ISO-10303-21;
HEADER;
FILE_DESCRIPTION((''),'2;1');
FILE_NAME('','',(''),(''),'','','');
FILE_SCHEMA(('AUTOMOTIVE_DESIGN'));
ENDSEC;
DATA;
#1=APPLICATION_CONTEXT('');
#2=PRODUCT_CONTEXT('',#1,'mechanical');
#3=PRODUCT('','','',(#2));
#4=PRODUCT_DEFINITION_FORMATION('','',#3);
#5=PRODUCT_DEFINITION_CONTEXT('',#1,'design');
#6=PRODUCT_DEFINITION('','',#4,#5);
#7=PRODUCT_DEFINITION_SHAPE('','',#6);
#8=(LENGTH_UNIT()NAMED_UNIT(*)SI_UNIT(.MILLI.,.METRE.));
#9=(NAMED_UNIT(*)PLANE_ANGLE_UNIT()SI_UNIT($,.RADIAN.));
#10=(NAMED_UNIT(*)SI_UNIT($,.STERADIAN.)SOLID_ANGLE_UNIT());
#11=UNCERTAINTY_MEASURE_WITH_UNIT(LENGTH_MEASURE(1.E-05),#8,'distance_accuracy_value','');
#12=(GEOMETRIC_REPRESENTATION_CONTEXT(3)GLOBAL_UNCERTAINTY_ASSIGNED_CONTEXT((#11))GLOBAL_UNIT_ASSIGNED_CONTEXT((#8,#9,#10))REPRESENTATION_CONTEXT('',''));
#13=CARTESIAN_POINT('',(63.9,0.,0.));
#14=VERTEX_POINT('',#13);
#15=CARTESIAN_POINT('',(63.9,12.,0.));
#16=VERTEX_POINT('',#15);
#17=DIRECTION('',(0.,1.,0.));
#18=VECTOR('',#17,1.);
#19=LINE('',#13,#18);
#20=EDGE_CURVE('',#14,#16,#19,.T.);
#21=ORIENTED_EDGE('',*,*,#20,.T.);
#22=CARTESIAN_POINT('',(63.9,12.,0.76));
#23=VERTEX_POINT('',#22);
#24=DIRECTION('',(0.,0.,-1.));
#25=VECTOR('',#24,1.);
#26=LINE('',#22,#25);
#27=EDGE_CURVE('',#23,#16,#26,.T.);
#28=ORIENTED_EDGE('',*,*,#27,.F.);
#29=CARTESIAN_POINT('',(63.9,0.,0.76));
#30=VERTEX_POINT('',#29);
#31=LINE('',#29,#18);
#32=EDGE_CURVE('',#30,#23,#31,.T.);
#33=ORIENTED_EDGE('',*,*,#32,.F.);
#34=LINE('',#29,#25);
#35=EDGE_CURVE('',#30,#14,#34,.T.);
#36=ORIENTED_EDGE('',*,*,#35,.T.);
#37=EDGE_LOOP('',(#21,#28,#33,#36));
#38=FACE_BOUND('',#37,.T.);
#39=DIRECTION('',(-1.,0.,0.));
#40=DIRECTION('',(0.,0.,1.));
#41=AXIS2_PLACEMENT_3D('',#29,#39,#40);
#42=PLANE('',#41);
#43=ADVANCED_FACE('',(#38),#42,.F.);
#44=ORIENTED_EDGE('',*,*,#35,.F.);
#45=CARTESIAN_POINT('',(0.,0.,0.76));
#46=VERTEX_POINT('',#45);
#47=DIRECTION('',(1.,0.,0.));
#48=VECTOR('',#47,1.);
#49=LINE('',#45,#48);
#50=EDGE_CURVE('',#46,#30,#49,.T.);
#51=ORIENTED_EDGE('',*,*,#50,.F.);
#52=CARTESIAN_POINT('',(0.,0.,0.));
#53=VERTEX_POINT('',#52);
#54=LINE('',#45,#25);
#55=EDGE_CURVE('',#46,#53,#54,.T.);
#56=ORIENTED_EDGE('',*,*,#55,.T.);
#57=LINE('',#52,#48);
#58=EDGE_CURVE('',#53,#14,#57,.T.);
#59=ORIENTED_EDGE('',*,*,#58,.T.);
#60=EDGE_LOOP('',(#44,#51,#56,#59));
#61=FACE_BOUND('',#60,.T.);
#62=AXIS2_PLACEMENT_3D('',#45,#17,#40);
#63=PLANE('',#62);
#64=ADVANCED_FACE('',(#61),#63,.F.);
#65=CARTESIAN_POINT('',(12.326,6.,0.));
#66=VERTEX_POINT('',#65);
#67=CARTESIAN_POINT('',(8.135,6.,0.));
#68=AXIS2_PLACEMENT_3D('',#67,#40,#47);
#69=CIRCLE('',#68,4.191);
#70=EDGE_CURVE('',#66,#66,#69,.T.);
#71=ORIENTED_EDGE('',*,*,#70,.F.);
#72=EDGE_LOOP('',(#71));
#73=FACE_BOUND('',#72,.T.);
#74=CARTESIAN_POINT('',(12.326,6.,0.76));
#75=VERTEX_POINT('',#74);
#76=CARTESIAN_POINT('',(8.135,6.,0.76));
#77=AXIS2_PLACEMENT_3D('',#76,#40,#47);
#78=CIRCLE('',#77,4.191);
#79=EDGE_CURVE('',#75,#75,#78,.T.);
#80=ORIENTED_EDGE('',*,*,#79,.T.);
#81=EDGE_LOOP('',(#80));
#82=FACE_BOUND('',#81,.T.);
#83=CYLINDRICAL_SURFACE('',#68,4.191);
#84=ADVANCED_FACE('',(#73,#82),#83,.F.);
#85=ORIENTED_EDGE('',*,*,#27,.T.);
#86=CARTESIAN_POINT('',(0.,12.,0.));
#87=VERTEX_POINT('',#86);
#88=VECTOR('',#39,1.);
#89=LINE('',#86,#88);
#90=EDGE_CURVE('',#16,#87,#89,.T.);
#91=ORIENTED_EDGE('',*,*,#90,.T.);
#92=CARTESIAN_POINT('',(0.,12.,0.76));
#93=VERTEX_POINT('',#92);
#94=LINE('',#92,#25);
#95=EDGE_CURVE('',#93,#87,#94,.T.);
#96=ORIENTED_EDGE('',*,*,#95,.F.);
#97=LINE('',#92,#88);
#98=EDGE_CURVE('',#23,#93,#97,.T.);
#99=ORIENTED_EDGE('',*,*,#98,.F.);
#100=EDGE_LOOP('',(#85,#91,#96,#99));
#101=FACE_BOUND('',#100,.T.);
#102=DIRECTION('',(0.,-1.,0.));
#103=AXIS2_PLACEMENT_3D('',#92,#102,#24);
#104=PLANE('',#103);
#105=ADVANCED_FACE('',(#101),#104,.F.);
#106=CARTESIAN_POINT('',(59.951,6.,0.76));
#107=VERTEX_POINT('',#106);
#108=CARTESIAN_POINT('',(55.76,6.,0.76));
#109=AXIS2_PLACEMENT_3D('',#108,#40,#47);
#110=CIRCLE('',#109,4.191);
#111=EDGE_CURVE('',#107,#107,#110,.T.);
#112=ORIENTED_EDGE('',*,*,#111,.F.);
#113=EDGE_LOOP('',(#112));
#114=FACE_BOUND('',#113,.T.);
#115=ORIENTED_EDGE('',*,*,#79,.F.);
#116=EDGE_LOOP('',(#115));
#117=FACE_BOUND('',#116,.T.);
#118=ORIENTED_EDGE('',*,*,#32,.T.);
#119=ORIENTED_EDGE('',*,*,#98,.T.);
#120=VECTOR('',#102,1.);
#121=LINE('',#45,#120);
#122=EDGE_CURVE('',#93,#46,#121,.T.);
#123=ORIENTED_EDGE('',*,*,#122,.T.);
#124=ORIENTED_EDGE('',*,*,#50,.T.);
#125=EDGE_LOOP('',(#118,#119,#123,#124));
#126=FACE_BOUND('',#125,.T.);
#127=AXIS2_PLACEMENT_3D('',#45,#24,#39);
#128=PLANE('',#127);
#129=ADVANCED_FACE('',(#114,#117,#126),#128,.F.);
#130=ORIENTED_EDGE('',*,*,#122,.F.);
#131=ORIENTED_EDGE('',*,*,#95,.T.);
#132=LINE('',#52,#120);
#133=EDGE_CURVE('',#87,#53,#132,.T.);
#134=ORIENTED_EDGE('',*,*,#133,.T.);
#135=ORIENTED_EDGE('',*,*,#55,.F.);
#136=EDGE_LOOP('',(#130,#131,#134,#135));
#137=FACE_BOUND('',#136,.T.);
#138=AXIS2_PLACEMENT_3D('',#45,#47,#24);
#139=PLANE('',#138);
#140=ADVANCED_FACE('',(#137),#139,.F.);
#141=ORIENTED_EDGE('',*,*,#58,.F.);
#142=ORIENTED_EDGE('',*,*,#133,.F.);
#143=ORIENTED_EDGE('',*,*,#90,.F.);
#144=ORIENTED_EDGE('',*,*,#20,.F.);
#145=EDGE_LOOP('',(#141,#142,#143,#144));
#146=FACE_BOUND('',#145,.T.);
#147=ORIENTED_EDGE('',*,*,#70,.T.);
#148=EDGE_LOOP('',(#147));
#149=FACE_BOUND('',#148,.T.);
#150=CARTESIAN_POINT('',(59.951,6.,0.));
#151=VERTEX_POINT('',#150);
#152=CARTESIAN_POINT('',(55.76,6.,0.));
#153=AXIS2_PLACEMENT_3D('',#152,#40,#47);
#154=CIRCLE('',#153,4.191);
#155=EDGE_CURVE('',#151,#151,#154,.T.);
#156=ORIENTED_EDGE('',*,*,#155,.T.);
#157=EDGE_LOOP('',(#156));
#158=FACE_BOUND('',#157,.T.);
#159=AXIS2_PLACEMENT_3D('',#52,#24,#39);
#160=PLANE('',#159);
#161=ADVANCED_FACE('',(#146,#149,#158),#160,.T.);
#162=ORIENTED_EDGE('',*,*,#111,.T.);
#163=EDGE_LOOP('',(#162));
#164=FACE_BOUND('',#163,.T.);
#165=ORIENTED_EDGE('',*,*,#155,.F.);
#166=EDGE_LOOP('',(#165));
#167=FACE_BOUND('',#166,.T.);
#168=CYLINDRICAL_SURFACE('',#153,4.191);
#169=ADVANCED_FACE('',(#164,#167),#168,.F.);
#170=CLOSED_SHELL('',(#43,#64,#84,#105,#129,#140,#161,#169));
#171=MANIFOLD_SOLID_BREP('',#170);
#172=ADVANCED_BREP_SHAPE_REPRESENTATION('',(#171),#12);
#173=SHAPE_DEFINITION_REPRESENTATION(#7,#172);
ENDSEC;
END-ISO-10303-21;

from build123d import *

# Parameters (mm, degrees)
SKETCH1_W           = 63.9
SKETCH1_H           = 12
BOSS_EXTRUDE1_DEPTH = 0.76
SKETCH3_R           = 4.191
CUT_EXTRUDE1_DEPTH  = 66.021439541


with BuildPart() as part:
    # Sketch1 → Boss-Extrude1 (new body)
    with BuildSketch(Plane.XY):
        with Locations((31.95, 6)):
            Rectangle(SKETCH1_W, SKETCH1_H)
    extrude(amount=BOSS_EXTRUDE1_DEPTH)

    # Sketch3 → Cut-Extrude1 (cut, through all)
    with BuildSketch(Plane.XY.offset(0.76)):
        with Locations((8.135, 6)):
            Circle(SKETCH3_R)
        with Locations((55.76, 6)):
            Circle(SKETCH3_R)
    extrude(amount=-CUT_EXTRUDE1_DEPTH, mode=Mode.SUBTRACT)


solid = part.part
